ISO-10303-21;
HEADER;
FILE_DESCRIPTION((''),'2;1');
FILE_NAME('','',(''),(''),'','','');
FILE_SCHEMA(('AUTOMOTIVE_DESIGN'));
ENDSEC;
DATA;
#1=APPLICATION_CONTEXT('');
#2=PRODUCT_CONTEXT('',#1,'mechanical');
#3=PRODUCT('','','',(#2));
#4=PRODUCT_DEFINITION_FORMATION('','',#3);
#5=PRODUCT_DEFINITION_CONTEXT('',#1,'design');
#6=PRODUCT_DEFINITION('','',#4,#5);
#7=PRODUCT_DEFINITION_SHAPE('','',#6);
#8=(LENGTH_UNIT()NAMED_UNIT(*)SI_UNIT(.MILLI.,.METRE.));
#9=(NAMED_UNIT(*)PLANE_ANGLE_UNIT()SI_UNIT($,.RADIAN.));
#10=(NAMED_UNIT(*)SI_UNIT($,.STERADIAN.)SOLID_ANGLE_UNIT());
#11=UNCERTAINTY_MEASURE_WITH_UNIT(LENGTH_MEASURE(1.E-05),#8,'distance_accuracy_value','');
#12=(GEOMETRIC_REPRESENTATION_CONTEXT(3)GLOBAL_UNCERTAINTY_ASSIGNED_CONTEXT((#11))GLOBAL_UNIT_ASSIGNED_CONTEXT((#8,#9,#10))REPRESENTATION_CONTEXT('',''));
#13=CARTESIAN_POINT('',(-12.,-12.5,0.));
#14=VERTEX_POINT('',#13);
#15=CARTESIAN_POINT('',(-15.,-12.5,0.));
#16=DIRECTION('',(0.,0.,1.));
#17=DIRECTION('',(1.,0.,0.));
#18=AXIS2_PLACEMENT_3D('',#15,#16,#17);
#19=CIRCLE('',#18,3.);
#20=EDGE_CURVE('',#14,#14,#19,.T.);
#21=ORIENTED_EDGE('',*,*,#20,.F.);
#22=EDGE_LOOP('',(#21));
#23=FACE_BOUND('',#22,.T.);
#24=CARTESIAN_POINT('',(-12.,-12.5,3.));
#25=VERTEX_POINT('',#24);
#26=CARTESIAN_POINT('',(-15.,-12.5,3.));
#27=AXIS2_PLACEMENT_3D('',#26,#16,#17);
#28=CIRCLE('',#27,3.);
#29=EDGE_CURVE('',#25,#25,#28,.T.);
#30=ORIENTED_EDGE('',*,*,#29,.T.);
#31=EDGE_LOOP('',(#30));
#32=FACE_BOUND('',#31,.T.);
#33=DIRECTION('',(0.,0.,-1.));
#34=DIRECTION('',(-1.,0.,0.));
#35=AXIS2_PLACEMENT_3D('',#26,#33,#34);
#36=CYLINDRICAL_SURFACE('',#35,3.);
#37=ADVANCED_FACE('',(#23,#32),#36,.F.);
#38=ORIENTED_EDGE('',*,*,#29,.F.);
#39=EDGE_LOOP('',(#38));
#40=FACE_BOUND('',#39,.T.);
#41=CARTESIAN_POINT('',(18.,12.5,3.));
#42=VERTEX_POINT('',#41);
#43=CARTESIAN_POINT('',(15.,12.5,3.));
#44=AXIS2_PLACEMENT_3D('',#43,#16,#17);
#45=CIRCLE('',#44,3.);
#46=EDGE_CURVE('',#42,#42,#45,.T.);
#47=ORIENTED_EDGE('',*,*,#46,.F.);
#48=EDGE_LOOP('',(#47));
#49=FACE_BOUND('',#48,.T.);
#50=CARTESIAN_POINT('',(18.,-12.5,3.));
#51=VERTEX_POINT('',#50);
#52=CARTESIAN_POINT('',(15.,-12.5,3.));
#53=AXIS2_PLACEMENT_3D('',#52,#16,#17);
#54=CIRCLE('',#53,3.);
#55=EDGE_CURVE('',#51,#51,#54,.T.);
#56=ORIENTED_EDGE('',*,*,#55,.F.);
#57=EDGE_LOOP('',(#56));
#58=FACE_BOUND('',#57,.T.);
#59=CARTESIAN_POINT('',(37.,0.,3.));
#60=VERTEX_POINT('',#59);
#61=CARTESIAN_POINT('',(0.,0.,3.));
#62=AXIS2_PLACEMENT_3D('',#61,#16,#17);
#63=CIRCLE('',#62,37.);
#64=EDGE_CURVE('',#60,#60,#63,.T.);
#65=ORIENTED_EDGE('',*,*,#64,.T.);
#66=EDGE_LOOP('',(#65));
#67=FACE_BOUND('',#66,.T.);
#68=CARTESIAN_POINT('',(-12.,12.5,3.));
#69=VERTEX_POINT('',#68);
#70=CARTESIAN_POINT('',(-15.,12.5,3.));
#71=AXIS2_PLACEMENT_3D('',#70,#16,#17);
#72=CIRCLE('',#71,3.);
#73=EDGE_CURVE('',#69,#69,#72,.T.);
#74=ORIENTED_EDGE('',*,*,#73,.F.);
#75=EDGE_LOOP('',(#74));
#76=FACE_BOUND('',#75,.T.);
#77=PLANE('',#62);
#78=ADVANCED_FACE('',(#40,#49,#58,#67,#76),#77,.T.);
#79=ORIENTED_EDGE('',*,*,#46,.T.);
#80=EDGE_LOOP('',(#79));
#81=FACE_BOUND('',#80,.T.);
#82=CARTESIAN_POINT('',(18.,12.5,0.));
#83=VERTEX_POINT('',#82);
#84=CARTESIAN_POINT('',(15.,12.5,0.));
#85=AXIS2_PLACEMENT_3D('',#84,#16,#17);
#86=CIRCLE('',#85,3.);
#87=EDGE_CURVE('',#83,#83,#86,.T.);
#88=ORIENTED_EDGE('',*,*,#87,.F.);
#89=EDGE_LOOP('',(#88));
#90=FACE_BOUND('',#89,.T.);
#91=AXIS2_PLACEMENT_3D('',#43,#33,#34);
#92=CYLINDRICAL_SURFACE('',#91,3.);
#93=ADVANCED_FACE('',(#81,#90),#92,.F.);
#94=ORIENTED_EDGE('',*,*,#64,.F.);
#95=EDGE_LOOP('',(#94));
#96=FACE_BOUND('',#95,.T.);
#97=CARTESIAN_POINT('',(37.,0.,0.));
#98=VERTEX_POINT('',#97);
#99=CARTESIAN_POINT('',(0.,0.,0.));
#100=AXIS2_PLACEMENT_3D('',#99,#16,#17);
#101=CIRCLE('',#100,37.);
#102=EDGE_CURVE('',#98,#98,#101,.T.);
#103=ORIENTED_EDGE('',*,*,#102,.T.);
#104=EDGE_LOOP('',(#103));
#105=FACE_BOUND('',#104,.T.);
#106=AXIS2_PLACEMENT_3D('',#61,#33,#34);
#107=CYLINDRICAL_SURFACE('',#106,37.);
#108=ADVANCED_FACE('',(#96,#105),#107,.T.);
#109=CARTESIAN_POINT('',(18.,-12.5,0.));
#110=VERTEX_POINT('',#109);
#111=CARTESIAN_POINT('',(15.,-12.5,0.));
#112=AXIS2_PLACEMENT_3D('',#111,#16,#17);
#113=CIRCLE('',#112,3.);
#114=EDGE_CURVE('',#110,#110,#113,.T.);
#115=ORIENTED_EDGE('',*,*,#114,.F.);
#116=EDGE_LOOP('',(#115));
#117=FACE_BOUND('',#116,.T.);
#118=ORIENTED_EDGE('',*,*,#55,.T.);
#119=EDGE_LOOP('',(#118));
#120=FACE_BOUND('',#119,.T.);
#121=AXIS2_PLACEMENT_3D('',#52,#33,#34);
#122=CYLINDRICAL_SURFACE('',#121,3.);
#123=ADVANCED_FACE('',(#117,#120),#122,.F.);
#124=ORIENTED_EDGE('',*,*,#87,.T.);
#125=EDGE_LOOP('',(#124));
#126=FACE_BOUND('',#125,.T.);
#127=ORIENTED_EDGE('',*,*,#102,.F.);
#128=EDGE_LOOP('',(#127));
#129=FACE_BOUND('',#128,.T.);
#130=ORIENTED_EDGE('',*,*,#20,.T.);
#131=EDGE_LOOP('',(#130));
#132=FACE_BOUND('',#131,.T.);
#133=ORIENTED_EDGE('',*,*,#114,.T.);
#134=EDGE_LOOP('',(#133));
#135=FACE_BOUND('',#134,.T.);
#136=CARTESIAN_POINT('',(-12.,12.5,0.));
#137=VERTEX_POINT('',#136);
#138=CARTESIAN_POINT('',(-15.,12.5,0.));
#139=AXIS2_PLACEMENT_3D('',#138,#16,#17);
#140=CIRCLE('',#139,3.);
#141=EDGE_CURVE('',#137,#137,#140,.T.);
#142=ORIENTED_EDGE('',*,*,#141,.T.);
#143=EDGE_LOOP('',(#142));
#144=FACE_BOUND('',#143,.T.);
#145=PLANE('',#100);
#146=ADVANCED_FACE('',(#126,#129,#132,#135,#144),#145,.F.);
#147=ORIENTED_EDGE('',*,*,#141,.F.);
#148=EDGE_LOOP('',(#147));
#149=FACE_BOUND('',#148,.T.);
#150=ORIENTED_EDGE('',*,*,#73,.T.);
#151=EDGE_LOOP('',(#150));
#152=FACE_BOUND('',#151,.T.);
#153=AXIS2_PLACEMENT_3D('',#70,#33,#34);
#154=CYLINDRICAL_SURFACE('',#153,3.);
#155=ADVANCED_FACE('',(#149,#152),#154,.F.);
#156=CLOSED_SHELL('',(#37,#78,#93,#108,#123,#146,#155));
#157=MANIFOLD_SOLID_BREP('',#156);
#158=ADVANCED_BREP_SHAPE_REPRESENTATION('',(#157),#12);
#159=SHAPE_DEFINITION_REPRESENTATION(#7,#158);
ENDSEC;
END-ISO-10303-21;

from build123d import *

# Parameters (mm, degrees)
MODEL_R             = 37
MODEL_R_2           = 3
BOSS_EXTRUDE1_DEPTH = 3


with BuildPart() as part:
    # Model → Boss-Extrude1 (new body)
    with BuildSketch(Plane.XY):
        Circle(MODEL_R)
        with Locations((-15, 12.5)):
            Circle(MODEL_R_2, mode=Mode.SUBTRACT)
        with Locations((-15, -12.5)):
            Circle(MODEL_R_2, mode=Mode.SUBTRACT)
        with Locations((15, -12.5)):
            Circle(MODEL_R_2, mode=Mode.SUBTRACT)
        with Locations((15, 12.5)):
            Circle(MODEL_R_2, mode=Mode.SUBTRACT)
    extrude(amount=BOSS_EXTRUDE1_DEPTH)


solid = part.part
